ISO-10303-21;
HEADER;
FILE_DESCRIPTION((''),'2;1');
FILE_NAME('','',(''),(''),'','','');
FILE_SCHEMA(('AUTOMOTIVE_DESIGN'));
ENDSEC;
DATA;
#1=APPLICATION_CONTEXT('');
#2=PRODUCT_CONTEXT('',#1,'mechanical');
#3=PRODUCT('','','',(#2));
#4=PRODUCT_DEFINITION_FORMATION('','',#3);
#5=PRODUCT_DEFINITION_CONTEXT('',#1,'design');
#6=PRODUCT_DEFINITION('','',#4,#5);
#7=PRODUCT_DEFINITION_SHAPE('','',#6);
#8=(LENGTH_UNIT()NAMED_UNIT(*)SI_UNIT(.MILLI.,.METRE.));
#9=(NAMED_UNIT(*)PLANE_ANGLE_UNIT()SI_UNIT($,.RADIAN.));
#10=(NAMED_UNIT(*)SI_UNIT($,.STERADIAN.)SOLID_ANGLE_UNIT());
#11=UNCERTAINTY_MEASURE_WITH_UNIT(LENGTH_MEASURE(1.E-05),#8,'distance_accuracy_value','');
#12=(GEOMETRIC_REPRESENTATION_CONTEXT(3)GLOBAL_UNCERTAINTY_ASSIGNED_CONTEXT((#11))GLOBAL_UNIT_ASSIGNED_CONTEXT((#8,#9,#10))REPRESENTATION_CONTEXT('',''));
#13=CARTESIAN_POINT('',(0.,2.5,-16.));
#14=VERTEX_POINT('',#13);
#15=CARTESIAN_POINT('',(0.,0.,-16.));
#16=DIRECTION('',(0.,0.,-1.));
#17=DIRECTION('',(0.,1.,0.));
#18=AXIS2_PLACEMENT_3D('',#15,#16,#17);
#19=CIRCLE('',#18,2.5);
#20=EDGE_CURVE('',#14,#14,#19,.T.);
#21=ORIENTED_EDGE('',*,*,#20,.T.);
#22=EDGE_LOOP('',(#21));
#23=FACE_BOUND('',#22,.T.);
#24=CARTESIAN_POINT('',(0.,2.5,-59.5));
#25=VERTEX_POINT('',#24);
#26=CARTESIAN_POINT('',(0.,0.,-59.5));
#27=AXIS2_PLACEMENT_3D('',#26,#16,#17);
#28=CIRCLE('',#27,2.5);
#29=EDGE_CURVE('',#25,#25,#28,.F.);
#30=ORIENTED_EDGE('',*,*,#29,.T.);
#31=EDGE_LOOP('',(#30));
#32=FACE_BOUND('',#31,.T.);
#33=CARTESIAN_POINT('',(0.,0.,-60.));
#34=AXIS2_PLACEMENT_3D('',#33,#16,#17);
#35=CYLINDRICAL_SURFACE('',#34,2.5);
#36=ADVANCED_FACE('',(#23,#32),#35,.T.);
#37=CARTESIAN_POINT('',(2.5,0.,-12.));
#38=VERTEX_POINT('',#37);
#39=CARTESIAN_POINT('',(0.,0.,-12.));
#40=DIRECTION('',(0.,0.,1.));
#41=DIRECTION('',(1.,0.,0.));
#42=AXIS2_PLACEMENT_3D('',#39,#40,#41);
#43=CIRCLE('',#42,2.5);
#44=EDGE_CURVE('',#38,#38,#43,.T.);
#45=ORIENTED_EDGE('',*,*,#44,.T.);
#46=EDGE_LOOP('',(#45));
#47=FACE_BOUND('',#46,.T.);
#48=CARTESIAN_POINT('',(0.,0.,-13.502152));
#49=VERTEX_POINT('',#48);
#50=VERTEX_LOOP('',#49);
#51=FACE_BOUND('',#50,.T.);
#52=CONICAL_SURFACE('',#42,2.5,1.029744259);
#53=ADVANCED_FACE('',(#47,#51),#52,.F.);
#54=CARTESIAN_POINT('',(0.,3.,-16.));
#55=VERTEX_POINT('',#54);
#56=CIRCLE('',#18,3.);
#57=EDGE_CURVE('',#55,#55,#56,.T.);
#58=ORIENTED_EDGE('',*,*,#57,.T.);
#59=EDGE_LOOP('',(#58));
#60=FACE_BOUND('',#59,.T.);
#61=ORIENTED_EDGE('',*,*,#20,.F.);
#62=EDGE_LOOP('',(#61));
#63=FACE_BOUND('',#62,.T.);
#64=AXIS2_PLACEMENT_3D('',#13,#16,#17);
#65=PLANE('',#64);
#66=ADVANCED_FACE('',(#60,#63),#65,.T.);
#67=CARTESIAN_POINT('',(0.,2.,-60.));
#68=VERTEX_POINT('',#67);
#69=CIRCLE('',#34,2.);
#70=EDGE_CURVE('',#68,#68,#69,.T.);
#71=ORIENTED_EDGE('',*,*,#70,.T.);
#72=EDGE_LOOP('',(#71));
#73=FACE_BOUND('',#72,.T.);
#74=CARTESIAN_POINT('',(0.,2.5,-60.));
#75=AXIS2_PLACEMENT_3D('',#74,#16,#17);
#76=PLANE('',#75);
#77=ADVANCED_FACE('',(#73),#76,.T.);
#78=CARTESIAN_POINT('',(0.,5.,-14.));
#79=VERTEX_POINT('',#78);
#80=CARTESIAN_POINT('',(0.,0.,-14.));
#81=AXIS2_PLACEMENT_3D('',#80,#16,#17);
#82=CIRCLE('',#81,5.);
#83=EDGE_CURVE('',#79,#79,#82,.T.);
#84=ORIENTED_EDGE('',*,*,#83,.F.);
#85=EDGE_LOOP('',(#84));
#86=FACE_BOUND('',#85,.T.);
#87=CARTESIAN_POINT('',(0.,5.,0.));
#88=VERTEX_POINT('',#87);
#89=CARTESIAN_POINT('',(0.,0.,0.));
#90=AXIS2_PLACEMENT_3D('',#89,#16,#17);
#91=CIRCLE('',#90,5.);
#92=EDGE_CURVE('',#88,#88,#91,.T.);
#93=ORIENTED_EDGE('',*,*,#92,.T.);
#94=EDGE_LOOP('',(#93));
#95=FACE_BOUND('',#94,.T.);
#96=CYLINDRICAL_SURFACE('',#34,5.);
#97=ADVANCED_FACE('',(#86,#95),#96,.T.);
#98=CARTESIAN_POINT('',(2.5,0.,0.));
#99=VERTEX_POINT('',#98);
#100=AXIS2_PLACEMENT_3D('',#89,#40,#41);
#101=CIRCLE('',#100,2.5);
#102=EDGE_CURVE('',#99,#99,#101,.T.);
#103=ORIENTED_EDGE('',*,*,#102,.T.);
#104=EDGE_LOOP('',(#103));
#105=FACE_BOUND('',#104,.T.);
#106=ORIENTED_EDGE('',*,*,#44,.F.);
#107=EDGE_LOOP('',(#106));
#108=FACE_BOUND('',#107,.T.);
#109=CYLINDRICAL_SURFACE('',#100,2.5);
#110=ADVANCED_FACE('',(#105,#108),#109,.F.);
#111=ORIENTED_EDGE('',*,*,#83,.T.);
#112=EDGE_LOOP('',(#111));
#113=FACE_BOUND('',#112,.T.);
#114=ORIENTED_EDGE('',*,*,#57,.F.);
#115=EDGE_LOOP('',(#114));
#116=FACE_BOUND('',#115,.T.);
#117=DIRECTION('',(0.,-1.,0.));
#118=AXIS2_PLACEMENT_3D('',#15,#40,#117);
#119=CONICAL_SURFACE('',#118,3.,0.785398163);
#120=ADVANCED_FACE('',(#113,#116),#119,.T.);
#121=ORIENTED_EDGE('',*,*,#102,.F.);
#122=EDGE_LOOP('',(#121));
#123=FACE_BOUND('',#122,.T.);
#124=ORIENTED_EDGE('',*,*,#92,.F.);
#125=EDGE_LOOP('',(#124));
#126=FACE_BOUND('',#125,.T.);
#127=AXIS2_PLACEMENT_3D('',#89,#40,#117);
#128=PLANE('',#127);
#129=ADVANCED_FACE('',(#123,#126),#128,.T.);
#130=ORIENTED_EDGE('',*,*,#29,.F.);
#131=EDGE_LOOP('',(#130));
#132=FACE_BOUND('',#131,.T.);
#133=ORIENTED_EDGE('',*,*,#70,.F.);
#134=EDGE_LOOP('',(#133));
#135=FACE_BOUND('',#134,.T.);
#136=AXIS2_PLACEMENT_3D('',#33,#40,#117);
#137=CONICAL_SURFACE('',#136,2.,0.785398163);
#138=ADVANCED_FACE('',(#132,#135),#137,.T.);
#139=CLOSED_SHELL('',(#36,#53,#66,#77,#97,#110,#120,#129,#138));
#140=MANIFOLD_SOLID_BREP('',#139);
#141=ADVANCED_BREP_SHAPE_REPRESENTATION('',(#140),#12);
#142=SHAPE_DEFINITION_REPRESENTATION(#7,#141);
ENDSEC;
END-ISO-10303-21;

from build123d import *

# Parameters (mm, degrees)
M6X1_0_1_D     = 5
M6X1_0_1_DEPTH = 12
M6X1_0_1_TIP   = 1.502151548
CHAMFER_1_SIZE = 0.5


with BuildPart() as part:
    # 스케치1 → 회전1 (revolve)
    with BuildSketch(Plane(origin=(0, 0, 0), x_dir=(0, 0, -1), z_dir=(1, 0, 0))):
        Polygon((0, 0), (0, 5), (14, 5), (16, 3), (16, 2.5), (60, 2.5), (60, 0), align=None)
    revolve(axis=Axis((0, 0, -60), (0, 0, 1)))

    # M6x1.0 나사 구멍1
    with Locations(Plane.XY):
        with Locations((0, 0)):
            Hole(M6X1_0_1_D / 2, depth=M6X1_0_1_DEPTH)
            with Locations((0, 0, -(M6X1_0_1_DEPTH + M6X1_0_1_TIP / 2))):  # 118° drill point
                Cone(0, M6X1_0_1_D / 2, M6X1_0_1_TIP, mode=Mode.SUBTRACT)

    # 모따기1
    chamfer_1_edges = [part.edges().sort_by_distance(p)[0] for p in [
        (0, -2.5, -60),
    ]]
    chamfer(chamfer_1_edges, length=CHAMFER_1_SIZE)


solid = part.part
